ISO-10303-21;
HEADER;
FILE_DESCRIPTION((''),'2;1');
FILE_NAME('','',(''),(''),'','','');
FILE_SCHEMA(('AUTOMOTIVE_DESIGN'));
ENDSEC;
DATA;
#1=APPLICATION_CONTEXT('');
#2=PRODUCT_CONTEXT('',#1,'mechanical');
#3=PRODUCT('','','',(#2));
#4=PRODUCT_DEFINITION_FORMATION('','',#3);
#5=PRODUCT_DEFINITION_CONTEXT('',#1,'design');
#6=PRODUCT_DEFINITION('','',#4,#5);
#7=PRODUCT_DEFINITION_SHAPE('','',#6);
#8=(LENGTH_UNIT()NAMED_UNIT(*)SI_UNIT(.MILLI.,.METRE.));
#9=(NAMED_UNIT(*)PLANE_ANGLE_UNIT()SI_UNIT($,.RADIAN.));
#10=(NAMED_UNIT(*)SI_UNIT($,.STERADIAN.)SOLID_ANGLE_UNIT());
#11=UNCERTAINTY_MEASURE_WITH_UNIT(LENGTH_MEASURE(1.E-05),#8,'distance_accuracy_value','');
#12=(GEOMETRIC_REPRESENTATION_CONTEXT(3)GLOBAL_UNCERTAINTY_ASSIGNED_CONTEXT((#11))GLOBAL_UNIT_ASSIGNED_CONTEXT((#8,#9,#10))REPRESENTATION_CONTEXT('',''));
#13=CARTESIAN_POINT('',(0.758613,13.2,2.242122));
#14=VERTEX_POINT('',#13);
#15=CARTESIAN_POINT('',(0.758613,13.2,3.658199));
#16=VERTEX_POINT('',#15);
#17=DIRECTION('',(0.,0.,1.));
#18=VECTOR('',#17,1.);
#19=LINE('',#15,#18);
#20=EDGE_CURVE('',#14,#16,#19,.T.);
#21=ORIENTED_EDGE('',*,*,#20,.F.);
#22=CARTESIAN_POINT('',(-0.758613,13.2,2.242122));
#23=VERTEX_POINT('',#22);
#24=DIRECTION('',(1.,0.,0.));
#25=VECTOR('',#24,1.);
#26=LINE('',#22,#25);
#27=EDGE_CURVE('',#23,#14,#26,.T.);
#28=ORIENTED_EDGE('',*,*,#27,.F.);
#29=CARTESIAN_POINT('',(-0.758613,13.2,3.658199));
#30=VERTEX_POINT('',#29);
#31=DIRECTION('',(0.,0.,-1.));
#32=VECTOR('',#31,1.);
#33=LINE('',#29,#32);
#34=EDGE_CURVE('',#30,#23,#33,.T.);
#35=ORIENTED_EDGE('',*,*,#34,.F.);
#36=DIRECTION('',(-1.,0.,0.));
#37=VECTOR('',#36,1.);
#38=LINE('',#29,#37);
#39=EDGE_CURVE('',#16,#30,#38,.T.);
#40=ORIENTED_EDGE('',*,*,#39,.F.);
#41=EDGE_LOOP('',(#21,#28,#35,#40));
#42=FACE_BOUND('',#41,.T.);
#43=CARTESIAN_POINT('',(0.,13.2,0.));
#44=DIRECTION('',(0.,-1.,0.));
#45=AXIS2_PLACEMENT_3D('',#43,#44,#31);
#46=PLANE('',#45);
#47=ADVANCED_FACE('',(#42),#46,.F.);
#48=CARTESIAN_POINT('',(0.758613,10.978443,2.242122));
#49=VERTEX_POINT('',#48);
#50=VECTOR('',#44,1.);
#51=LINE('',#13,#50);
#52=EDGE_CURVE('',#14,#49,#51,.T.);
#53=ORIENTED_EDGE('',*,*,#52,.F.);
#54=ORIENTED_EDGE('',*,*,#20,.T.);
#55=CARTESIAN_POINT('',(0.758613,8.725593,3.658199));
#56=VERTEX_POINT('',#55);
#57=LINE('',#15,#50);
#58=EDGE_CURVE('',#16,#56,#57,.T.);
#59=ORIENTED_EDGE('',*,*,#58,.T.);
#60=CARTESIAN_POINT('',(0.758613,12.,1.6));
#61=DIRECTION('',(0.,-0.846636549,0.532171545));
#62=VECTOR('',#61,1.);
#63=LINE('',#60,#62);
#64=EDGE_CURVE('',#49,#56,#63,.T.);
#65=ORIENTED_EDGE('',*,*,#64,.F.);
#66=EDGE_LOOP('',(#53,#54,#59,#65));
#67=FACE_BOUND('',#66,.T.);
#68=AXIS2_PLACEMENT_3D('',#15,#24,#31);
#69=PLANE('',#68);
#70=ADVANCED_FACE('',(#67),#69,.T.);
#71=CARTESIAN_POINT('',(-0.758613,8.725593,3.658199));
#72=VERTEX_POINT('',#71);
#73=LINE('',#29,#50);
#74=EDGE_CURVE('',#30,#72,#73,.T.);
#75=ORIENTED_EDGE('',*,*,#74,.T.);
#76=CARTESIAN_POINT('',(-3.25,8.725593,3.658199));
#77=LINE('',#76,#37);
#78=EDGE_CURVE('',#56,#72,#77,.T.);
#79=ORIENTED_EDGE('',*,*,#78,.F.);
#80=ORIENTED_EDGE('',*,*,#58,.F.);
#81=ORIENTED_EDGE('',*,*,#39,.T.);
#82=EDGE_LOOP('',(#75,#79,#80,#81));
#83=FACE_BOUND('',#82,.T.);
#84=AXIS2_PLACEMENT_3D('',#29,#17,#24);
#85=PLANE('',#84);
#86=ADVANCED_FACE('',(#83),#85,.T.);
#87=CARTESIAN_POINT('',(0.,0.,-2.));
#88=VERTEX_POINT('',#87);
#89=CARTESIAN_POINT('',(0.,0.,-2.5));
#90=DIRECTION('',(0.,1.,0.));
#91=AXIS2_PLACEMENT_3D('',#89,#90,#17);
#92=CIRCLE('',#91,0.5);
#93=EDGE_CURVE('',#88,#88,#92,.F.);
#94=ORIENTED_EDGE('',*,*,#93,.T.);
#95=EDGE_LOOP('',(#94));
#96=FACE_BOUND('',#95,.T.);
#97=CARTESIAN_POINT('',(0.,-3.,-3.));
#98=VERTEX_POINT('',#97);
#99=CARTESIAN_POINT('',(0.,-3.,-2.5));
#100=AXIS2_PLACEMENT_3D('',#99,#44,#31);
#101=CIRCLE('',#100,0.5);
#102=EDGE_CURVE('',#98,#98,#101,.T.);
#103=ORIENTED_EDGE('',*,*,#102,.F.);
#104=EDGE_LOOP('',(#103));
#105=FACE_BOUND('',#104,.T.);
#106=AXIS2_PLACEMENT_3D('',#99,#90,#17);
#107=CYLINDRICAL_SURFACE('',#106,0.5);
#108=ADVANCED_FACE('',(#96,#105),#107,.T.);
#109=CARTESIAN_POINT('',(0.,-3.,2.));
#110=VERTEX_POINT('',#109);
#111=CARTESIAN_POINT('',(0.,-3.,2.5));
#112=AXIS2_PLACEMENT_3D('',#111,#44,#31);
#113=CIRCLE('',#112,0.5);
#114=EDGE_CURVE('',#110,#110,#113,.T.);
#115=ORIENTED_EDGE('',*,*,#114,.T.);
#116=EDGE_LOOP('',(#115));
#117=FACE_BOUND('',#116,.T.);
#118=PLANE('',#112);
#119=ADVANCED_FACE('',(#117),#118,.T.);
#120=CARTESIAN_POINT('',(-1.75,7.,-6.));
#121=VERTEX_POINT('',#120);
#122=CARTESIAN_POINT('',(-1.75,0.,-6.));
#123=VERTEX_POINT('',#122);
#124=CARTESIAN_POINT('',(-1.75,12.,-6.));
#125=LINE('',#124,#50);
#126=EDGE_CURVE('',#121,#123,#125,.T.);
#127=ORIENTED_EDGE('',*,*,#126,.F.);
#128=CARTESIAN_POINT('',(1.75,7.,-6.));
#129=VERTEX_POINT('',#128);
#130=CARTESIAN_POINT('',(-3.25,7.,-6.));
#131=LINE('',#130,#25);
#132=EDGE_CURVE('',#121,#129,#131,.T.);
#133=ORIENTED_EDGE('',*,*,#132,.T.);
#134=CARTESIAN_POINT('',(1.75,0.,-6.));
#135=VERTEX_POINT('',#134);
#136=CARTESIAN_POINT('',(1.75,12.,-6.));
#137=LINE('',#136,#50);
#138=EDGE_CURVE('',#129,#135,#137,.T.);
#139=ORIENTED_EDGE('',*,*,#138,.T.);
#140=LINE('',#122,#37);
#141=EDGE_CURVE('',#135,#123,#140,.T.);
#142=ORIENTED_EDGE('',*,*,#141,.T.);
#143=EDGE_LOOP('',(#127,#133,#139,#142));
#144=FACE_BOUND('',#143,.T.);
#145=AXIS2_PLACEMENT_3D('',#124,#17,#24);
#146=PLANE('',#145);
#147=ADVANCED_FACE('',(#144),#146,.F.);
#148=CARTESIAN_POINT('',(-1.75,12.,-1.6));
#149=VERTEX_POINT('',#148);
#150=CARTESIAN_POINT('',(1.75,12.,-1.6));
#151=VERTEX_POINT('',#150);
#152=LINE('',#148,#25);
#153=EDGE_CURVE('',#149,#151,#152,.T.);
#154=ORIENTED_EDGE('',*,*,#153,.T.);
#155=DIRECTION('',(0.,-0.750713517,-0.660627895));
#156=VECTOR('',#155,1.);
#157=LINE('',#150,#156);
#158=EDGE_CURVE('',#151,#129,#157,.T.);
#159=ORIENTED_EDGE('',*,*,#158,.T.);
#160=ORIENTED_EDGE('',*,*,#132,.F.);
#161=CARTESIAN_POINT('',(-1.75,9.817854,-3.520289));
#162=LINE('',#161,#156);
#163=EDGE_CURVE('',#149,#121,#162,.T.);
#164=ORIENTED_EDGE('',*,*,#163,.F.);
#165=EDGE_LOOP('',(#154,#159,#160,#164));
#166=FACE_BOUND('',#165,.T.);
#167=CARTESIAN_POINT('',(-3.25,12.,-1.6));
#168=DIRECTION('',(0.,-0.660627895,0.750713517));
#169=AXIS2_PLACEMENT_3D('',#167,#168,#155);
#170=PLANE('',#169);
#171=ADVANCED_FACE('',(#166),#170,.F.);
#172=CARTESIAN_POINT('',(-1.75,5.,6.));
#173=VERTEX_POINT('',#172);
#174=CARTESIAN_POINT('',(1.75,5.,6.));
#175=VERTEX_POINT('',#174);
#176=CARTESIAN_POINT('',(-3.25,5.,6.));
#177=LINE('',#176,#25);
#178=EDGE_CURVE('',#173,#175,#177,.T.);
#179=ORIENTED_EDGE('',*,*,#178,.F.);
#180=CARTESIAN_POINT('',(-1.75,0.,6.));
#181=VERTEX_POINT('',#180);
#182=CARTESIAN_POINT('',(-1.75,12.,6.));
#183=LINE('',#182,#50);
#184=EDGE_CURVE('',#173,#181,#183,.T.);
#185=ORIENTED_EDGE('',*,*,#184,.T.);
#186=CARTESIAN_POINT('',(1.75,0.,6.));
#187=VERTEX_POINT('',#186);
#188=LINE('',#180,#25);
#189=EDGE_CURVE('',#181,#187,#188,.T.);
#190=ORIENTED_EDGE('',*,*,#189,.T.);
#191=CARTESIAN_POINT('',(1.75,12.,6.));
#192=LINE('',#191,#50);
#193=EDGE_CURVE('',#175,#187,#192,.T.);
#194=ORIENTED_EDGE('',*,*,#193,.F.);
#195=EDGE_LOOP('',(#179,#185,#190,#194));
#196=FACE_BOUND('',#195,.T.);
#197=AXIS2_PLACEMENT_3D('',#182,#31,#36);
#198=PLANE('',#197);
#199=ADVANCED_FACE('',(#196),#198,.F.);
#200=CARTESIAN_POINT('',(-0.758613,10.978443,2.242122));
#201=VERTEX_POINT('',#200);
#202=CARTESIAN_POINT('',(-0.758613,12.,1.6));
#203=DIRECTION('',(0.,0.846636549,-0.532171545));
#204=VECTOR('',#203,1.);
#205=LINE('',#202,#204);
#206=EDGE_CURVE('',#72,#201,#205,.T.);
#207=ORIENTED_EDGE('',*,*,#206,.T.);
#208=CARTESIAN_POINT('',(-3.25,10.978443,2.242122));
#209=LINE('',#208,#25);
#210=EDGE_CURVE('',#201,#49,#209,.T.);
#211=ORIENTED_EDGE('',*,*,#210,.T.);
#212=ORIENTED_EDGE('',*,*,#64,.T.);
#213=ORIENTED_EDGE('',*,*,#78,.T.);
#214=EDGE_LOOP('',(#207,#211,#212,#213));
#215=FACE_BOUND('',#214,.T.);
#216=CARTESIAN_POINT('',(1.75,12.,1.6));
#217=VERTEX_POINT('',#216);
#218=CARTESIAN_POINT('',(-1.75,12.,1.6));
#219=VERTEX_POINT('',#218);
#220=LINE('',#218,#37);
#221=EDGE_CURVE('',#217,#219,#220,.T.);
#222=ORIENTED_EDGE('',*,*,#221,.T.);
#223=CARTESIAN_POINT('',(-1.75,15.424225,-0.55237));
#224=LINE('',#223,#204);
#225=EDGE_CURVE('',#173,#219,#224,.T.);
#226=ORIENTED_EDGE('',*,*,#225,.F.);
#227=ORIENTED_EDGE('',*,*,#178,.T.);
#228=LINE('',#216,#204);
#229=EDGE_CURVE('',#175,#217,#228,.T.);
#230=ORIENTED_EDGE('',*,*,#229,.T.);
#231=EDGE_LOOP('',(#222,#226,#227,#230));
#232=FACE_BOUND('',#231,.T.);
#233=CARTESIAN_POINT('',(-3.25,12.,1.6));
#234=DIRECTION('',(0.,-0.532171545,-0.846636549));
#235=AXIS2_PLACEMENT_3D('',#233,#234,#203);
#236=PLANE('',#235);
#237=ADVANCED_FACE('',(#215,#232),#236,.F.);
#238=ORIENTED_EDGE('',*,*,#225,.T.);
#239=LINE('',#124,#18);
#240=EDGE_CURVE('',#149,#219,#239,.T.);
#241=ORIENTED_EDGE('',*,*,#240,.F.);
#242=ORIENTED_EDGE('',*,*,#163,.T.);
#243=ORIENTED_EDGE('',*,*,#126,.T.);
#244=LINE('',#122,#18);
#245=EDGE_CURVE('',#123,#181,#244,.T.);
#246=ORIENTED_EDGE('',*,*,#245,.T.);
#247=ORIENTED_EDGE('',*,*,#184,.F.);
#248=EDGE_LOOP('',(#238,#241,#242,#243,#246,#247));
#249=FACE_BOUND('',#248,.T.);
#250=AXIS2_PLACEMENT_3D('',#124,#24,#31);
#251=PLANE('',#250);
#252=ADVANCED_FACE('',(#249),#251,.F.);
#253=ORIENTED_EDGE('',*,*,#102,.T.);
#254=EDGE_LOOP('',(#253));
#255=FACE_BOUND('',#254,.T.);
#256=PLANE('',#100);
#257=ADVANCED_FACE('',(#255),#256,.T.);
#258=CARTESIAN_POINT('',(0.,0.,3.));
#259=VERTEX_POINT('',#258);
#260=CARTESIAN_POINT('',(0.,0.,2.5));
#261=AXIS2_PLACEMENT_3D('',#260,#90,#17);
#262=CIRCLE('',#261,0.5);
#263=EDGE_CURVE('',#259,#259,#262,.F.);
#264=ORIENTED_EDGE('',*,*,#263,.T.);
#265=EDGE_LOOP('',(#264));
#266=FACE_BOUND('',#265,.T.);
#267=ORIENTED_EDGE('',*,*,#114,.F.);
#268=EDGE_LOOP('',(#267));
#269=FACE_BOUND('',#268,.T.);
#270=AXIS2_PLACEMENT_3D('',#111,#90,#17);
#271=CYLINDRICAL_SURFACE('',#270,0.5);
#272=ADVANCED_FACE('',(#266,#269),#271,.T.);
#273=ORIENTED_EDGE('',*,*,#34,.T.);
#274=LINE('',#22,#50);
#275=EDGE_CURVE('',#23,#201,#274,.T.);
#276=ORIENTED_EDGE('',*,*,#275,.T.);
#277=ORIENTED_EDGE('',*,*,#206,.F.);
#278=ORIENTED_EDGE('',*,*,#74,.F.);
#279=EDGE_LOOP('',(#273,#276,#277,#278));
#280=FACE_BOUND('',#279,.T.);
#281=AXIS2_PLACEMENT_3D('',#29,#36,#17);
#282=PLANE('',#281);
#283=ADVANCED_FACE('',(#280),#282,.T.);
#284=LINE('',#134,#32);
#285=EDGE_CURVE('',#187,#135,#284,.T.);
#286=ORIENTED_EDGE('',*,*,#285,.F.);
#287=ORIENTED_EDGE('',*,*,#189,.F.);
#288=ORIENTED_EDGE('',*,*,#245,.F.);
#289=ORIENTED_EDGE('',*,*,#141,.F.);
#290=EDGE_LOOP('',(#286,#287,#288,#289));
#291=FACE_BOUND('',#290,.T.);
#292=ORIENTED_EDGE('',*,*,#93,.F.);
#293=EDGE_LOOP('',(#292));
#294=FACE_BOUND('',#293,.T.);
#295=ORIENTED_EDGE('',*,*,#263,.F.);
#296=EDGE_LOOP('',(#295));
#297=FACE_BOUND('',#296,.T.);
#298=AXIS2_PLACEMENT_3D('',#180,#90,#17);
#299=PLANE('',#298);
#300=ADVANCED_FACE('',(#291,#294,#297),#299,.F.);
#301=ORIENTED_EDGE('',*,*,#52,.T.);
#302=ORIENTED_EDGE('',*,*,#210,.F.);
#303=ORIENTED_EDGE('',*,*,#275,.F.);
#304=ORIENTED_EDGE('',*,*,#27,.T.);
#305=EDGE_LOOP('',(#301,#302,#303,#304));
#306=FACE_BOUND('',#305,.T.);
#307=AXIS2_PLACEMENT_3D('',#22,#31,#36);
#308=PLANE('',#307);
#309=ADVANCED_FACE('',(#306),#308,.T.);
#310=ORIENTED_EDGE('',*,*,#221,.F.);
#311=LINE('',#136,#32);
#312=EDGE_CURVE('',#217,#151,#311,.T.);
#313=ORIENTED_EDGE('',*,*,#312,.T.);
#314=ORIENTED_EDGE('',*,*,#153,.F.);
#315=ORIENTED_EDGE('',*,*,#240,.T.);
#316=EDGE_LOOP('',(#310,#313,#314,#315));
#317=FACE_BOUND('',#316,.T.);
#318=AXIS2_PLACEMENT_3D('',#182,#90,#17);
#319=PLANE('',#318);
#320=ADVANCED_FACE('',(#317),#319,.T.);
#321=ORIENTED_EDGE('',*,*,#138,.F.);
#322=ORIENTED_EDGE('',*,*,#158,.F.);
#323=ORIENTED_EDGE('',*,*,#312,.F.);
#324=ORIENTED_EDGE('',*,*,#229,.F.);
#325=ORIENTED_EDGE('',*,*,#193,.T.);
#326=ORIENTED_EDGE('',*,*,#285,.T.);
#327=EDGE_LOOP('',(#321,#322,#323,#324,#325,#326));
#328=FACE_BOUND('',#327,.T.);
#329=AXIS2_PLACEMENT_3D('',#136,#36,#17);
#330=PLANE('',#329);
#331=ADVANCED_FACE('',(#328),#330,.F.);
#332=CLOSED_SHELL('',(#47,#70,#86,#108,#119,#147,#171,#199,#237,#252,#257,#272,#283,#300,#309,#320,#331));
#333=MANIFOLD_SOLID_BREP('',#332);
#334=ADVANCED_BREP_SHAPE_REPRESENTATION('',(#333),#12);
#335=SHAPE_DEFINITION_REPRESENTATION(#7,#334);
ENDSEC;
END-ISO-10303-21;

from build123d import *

# Parameters (mm, degrees)
SKETCH_1_W          = 3.5
SKETCH_1_H          = 12
EXTRUDE_1_DEPTH     = 12
SKETCH_2_R          = 0.5
EXTRUDE_2_DEPTH     = 3
CUT_EXTRUDE_1_DEPTH = 5
SKETCH_4_W          = 1.517225246
SKETCH_4_H          = 1.416076897
EXTRUDE_1_2_DEPTH   = 13.2


with BuildPart() as part:
    # 草图1 → Extrude 1 (new body)
    with BuildSketch(Plane(origin=(0, 0, 0), x_dir=(1, 0, 0), z_dir=(0, 1, 0))):
        Rectangle(SKETCH_1_W, SKETCH_1_H)
    extrude(amount=EXTRUDE_1_DEPTH)

    # 草图2 → 拉伸2 (add)
    with BuildSketch(Plane.XZ):
        with Locations(Location((0, 2.5, 0), (0, 0, 90))):
            Circle(SKETCH_2_R)
        with Locations(Location((0, -2.5, 0), (0, 0, 90))):
            Circle(SKETCH_2_R)
    extrude(amount=EXTRUDE_2_DEPTH)

    # 草图3 → 切除-拉伸1 (cut)
    with BuildSketch(Plane(origin=(1.75, 0, 0), x_dir=(0, 0, -1), z_dir=(1, 0, 0))):
        Polygon((-1.6, 12), (-6, 5), (-6, 12), align=None)
        Polygon((1.6, 12), (6, 7), (6, 12), align=None)
    extrude(amount=-CUT_EXTRUDE_1_DEPTH, mode=Mode.SUBTRACT)

    # 草图4 → Extrude 1 2 (add)
    with BuildSketch(Plane.XZ):
        with Locations((0, 2.950160203)):
            Rectangle(SKETCH_4_W, SKETCH_4_H)
    extrude(amount=-EXTRUDE_1_2_DEPTH)


solid = part.part
